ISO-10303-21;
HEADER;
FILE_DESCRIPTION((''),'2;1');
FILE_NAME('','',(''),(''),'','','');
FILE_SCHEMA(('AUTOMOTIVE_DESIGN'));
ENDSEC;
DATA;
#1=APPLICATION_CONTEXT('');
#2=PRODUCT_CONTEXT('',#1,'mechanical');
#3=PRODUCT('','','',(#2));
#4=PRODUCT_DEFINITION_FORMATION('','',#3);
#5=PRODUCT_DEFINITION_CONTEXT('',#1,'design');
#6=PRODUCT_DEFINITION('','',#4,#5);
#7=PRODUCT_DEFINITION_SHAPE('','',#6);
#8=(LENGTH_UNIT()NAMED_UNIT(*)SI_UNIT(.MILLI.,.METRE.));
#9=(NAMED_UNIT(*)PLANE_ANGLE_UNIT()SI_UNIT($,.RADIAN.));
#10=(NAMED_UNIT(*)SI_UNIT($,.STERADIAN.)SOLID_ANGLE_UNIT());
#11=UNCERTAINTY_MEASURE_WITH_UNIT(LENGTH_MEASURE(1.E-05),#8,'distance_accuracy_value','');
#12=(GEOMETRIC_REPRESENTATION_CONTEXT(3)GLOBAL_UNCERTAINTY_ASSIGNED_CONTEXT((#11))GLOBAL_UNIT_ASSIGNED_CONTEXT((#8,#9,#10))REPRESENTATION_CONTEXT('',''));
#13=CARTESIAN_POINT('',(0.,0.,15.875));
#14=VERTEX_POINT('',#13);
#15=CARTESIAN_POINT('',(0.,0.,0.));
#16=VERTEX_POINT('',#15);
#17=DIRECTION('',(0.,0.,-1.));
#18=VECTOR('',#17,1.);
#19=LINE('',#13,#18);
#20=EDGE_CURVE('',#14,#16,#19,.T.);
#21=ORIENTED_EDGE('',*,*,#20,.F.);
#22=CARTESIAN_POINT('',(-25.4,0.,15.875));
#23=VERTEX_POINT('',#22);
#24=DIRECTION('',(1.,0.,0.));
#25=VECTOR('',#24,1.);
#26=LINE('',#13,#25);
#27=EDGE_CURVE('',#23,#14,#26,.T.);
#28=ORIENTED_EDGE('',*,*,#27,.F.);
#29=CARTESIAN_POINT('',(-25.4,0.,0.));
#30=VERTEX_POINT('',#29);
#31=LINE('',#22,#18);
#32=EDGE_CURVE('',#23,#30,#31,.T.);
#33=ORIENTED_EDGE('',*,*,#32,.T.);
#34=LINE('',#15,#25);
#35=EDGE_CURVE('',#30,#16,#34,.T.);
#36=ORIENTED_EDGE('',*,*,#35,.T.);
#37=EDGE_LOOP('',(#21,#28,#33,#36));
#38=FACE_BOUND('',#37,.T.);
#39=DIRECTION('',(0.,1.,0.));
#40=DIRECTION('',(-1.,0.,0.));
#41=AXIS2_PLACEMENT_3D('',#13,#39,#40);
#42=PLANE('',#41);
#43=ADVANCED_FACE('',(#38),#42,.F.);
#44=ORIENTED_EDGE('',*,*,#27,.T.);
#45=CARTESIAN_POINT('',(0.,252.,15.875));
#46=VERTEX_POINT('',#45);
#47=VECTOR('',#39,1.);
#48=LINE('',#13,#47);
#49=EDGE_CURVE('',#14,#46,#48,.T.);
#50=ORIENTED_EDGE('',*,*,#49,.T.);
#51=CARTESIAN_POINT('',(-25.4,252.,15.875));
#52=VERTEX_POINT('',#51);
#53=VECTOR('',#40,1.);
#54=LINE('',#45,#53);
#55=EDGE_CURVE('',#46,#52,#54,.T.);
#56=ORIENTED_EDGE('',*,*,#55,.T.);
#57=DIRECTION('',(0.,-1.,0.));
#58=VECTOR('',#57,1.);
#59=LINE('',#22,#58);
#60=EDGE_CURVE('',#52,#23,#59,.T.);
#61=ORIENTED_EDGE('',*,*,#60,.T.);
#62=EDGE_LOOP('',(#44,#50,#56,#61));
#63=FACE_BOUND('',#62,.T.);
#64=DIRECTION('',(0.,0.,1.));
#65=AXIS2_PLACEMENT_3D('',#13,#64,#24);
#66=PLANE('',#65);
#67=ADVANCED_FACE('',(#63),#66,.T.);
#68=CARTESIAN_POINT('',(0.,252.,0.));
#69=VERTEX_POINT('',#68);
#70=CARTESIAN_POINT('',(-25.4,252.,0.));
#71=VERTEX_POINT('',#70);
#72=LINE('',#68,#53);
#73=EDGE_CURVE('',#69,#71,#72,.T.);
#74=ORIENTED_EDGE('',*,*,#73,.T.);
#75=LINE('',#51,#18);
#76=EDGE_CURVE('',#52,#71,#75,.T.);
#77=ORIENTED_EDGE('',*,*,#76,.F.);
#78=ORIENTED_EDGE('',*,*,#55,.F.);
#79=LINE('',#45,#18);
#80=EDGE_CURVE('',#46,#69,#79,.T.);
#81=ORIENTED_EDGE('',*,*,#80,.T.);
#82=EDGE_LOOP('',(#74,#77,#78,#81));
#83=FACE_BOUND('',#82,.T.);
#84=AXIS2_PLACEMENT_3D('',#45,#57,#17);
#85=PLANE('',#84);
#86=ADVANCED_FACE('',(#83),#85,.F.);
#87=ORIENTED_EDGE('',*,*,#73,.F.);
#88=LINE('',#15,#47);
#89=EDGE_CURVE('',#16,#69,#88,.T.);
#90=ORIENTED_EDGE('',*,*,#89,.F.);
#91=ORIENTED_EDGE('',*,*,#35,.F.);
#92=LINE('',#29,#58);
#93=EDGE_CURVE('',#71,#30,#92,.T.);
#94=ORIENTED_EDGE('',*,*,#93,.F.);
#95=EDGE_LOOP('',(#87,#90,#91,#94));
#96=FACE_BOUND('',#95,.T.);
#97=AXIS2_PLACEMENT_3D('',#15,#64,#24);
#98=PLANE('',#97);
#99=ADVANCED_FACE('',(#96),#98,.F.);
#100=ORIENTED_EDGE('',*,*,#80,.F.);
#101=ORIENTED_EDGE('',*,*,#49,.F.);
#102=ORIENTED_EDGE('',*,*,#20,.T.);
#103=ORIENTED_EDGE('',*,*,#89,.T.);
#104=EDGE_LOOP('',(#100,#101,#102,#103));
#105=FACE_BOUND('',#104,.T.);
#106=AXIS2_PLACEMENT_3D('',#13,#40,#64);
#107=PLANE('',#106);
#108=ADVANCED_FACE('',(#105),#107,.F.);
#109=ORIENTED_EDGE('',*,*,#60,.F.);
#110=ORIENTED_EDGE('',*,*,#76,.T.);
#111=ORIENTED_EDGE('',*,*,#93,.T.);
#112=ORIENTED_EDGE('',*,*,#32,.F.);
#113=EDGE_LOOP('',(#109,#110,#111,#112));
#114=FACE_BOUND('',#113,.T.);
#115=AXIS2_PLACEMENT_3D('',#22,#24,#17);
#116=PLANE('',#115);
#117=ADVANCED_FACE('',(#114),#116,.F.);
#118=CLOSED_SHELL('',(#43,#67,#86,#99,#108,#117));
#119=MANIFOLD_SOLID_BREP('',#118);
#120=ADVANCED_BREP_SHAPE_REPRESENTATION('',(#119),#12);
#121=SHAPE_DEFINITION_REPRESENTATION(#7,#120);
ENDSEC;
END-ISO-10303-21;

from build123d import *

# Parameters (mm, degrees)
CROQUIS1_W              = 25.4
CROQUIS1_H              = 252
SALIENTE_EXTRUIR1_DEPTH = 15.875


with BuildPart() as part:
    # Croquis1 → Saliente-Extruir1 (new body)
    with BuildSketch(Plane.XY):
        with Locations((-12.7, 126)):
            Rectangle(CROQUIS1_W, CROQUIS1_H)
    extrude(amount=SALIENTE_EXTRUIR1_DEPTH)


solid = part.part
